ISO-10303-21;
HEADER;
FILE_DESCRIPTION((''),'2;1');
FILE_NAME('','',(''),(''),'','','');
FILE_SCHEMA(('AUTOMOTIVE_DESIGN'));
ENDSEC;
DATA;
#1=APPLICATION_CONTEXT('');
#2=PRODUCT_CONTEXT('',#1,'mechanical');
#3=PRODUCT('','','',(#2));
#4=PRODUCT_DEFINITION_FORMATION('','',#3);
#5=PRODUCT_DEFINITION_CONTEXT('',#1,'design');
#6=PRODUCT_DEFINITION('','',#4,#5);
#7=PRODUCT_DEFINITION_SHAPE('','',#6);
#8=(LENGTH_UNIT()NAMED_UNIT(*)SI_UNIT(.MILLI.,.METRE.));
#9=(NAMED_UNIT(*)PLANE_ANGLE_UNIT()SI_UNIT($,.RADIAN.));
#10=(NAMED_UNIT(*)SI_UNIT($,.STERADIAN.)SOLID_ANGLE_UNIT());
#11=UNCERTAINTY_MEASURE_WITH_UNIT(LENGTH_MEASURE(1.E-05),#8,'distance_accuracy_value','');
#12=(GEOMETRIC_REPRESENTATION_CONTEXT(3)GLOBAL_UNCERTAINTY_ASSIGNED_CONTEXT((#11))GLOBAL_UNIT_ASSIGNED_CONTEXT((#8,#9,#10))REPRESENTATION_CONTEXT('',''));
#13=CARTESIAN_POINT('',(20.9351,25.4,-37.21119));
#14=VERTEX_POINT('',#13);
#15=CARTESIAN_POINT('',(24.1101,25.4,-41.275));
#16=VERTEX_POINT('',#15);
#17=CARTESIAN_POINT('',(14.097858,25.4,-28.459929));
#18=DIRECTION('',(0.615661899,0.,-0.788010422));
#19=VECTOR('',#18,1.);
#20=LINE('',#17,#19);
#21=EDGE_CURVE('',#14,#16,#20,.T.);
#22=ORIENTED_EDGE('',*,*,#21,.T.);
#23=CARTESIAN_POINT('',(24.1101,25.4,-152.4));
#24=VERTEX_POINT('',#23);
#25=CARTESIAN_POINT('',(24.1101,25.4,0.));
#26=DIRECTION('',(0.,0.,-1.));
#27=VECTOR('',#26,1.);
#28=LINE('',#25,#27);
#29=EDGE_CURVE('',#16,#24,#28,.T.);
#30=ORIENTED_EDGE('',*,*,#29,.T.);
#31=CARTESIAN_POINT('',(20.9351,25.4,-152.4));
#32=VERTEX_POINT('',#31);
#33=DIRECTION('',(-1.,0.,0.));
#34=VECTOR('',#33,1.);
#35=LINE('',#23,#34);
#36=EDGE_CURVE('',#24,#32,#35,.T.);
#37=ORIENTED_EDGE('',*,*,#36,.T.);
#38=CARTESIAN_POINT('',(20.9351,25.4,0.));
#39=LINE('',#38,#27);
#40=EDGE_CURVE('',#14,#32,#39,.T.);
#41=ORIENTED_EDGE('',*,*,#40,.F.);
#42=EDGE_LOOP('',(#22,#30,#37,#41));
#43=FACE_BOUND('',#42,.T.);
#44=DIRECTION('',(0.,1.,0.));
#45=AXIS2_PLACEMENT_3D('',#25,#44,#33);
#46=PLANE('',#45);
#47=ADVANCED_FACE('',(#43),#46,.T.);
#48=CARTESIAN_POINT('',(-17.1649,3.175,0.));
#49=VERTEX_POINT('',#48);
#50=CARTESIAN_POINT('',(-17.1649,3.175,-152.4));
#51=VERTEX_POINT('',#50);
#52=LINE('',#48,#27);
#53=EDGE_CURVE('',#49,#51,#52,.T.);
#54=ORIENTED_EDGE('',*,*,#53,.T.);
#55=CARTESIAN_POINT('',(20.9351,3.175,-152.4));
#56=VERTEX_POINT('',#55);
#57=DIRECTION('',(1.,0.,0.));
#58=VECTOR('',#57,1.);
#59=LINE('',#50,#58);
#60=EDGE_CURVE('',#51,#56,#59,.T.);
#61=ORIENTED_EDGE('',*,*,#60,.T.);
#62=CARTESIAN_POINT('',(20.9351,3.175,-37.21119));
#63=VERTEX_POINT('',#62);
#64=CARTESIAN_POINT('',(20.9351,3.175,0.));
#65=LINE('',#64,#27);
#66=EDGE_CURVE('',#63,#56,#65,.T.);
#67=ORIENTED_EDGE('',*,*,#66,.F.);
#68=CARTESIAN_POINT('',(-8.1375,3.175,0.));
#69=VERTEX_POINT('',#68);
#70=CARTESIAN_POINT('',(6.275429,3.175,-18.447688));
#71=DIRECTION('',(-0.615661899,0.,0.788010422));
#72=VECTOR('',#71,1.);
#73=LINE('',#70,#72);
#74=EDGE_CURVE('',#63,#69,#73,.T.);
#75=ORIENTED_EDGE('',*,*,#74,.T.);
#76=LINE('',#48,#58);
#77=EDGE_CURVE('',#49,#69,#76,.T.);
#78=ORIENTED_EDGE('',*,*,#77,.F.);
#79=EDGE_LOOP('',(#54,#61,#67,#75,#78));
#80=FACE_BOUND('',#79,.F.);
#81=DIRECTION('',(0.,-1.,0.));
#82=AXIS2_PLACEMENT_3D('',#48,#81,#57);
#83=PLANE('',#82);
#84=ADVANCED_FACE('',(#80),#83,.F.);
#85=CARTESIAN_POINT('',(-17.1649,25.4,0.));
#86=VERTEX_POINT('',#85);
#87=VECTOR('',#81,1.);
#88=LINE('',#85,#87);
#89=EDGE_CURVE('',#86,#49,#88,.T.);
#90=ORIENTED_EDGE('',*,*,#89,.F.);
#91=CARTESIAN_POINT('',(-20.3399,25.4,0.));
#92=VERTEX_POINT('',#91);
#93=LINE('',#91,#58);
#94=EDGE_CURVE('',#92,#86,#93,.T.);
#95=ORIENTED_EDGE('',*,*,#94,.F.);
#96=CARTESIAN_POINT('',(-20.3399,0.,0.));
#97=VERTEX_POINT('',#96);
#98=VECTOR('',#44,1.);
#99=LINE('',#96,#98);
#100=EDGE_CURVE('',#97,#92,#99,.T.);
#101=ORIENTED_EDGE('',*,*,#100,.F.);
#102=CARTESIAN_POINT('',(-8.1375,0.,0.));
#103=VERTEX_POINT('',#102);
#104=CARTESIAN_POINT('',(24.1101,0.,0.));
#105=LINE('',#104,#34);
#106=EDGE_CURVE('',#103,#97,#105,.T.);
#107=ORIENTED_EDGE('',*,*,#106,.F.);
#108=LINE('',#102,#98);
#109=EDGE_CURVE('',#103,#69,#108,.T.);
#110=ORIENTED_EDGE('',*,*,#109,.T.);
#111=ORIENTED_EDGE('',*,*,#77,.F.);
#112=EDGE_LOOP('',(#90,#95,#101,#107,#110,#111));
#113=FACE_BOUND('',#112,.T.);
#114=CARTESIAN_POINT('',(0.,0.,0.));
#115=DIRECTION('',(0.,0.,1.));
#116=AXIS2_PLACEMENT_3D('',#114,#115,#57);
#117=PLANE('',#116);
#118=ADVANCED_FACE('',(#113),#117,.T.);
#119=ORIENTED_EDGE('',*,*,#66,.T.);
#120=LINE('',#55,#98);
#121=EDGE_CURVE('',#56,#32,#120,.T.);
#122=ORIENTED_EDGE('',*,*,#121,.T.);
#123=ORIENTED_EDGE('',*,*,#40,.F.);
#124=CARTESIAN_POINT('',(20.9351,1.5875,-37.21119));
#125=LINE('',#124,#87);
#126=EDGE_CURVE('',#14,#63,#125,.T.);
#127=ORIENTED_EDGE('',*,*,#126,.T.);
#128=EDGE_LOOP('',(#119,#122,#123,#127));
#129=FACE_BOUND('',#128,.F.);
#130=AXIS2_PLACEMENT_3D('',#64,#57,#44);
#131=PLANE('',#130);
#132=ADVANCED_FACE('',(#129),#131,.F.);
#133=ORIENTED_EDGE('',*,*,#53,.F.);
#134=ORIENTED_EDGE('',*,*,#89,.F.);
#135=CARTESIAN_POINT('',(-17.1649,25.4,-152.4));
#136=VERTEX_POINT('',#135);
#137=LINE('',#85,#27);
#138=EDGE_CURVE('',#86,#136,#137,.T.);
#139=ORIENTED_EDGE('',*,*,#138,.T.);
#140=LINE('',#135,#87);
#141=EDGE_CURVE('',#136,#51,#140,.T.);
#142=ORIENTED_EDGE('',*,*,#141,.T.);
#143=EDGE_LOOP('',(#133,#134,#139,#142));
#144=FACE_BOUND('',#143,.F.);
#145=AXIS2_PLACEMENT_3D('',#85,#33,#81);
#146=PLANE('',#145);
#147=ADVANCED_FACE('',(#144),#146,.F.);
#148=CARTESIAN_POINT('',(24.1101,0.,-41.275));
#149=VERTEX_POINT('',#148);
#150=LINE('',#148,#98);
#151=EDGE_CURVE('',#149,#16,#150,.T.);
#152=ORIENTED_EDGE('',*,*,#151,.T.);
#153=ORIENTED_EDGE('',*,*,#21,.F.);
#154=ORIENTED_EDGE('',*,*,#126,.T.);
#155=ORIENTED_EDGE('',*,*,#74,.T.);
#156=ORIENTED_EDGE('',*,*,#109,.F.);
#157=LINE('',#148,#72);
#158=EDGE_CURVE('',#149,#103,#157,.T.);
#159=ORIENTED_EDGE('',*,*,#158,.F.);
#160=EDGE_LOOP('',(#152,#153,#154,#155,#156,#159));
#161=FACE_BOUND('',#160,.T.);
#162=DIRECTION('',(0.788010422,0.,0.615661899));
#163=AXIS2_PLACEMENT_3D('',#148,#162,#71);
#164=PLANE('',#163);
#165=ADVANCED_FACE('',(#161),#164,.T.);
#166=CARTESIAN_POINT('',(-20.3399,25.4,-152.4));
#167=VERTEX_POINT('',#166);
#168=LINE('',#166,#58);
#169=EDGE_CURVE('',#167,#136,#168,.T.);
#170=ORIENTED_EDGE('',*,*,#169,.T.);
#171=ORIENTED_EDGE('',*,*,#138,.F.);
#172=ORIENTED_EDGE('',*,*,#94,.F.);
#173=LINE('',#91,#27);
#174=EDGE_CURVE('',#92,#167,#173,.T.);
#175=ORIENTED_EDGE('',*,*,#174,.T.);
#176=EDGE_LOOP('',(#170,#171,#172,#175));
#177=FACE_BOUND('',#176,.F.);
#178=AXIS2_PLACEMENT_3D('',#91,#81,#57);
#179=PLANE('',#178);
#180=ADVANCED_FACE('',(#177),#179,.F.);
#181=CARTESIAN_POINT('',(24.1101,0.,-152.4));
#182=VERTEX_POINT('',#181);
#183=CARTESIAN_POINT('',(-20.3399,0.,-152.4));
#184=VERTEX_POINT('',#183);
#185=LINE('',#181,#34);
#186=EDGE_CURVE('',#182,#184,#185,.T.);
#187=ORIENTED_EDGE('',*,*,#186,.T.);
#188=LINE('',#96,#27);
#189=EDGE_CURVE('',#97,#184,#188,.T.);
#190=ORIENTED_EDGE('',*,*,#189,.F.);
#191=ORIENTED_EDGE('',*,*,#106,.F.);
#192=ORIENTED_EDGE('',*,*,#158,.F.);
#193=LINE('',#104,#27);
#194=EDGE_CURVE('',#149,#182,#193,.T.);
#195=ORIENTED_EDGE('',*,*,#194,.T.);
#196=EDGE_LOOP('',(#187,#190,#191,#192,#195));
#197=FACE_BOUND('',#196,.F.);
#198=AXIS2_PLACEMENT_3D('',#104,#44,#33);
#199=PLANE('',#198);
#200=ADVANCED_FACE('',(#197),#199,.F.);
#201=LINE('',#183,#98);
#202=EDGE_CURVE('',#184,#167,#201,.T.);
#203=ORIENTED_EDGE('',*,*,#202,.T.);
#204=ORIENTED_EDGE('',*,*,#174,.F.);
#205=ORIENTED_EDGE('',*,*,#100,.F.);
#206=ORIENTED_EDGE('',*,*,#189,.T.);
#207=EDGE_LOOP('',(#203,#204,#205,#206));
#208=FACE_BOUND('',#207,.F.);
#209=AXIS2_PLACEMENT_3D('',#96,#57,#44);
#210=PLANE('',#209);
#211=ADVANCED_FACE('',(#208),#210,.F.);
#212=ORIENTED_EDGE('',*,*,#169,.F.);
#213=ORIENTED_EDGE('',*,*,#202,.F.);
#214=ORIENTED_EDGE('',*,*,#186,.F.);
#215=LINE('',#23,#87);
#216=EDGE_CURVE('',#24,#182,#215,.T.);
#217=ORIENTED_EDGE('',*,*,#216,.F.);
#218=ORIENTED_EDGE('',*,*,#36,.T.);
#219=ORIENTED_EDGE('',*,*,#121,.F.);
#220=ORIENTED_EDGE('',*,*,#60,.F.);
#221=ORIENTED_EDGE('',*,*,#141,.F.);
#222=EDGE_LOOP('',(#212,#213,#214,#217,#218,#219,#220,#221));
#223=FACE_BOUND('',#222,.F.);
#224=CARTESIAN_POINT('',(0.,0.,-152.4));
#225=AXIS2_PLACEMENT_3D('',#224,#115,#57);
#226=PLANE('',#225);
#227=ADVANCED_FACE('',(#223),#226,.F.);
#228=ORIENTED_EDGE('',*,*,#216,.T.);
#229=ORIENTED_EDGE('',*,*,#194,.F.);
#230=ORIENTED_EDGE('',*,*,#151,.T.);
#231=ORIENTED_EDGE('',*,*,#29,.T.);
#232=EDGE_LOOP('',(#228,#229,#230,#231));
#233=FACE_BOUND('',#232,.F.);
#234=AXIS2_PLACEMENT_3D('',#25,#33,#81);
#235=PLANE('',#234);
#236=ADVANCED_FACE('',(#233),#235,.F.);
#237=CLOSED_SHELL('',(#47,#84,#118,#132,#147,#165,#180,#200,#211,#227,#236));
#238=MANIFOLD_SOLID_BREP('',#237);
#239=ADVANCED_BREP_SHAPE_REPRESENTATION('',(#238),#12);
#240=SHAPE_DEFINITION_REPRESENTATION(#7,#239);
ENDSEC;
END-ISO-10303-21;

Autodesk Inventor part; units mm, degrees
ref_plane "YZ Plane" through (0, 0, 0) normal (1, 0, 0) x (0, 1, 0)
ref_plane "XZ Plane" through (0, 0, 0) normal (0, 1, 0) x (-1, 0, 0)
ref_plane "XY Plane" through (0, 0, 0) normal (0, 0, 1) x (1, 0, 0)
sketch "Sketch1" plane through (0, 0, 0) normal (0, 0, 1) x (1, 0, 0)
  line L0 (24.1101, 25.4) -> (24.1101, 0)
  line L1 (24.1101, 0) -> (-20.3399, 0)
  line L2 (-20.3399, 0) -> (-20.3399, 25.4)
  line L3 (-17.1649, 25.4) -> (-17.1649, 3.175)
  line L4 (-17.1649, 3.175) -> (20.9351, 3.175)
  line L5 (20.9351, 3.175) -> (20.9351, 25.4)
  line L6 (-20.3399, 25.4) -> (-17.1649, 25.4)
  line L7 (24.1101, 25.4) -> (20.9351, 25.4)
  point P0 (0, 0)
  dimension "d0" = 44.45
  dimension "d1" = 25.4
  dimension "d2" = 3.175
extrude "Extrusion1" add sketch "Sketch1" against normal blind 152.4
sketch "Sketch5" plane through (-20.3399, 0, 0) normal (0, -1, 0) x (1, 0, 0)
  line L0 (0, 0) -> (44.45, 0) projected
  line L1 (44.45, 0) -> (44.45, -152.4) projected
  line L2 (44.45, -152.4) -> (44.45, -41.275)
  line L3 (44.45, 0) -> (44.45, -152.4) projected
  line L4 (44.45, -41.275) -> (12.2024, 0)
  line L5 (12.2024, 0) -> (44.45, 0)
  line L6 (44.45, 0) -> (44.45, -41.275)
  point P0 (20.3399, 0)
  dimension "d14" = 111.125
  dimension "d15" = 38
extrude "Extrusion4" cut sketch "Sketch5" against normal through all
properties part number "Horizontal channel right"
